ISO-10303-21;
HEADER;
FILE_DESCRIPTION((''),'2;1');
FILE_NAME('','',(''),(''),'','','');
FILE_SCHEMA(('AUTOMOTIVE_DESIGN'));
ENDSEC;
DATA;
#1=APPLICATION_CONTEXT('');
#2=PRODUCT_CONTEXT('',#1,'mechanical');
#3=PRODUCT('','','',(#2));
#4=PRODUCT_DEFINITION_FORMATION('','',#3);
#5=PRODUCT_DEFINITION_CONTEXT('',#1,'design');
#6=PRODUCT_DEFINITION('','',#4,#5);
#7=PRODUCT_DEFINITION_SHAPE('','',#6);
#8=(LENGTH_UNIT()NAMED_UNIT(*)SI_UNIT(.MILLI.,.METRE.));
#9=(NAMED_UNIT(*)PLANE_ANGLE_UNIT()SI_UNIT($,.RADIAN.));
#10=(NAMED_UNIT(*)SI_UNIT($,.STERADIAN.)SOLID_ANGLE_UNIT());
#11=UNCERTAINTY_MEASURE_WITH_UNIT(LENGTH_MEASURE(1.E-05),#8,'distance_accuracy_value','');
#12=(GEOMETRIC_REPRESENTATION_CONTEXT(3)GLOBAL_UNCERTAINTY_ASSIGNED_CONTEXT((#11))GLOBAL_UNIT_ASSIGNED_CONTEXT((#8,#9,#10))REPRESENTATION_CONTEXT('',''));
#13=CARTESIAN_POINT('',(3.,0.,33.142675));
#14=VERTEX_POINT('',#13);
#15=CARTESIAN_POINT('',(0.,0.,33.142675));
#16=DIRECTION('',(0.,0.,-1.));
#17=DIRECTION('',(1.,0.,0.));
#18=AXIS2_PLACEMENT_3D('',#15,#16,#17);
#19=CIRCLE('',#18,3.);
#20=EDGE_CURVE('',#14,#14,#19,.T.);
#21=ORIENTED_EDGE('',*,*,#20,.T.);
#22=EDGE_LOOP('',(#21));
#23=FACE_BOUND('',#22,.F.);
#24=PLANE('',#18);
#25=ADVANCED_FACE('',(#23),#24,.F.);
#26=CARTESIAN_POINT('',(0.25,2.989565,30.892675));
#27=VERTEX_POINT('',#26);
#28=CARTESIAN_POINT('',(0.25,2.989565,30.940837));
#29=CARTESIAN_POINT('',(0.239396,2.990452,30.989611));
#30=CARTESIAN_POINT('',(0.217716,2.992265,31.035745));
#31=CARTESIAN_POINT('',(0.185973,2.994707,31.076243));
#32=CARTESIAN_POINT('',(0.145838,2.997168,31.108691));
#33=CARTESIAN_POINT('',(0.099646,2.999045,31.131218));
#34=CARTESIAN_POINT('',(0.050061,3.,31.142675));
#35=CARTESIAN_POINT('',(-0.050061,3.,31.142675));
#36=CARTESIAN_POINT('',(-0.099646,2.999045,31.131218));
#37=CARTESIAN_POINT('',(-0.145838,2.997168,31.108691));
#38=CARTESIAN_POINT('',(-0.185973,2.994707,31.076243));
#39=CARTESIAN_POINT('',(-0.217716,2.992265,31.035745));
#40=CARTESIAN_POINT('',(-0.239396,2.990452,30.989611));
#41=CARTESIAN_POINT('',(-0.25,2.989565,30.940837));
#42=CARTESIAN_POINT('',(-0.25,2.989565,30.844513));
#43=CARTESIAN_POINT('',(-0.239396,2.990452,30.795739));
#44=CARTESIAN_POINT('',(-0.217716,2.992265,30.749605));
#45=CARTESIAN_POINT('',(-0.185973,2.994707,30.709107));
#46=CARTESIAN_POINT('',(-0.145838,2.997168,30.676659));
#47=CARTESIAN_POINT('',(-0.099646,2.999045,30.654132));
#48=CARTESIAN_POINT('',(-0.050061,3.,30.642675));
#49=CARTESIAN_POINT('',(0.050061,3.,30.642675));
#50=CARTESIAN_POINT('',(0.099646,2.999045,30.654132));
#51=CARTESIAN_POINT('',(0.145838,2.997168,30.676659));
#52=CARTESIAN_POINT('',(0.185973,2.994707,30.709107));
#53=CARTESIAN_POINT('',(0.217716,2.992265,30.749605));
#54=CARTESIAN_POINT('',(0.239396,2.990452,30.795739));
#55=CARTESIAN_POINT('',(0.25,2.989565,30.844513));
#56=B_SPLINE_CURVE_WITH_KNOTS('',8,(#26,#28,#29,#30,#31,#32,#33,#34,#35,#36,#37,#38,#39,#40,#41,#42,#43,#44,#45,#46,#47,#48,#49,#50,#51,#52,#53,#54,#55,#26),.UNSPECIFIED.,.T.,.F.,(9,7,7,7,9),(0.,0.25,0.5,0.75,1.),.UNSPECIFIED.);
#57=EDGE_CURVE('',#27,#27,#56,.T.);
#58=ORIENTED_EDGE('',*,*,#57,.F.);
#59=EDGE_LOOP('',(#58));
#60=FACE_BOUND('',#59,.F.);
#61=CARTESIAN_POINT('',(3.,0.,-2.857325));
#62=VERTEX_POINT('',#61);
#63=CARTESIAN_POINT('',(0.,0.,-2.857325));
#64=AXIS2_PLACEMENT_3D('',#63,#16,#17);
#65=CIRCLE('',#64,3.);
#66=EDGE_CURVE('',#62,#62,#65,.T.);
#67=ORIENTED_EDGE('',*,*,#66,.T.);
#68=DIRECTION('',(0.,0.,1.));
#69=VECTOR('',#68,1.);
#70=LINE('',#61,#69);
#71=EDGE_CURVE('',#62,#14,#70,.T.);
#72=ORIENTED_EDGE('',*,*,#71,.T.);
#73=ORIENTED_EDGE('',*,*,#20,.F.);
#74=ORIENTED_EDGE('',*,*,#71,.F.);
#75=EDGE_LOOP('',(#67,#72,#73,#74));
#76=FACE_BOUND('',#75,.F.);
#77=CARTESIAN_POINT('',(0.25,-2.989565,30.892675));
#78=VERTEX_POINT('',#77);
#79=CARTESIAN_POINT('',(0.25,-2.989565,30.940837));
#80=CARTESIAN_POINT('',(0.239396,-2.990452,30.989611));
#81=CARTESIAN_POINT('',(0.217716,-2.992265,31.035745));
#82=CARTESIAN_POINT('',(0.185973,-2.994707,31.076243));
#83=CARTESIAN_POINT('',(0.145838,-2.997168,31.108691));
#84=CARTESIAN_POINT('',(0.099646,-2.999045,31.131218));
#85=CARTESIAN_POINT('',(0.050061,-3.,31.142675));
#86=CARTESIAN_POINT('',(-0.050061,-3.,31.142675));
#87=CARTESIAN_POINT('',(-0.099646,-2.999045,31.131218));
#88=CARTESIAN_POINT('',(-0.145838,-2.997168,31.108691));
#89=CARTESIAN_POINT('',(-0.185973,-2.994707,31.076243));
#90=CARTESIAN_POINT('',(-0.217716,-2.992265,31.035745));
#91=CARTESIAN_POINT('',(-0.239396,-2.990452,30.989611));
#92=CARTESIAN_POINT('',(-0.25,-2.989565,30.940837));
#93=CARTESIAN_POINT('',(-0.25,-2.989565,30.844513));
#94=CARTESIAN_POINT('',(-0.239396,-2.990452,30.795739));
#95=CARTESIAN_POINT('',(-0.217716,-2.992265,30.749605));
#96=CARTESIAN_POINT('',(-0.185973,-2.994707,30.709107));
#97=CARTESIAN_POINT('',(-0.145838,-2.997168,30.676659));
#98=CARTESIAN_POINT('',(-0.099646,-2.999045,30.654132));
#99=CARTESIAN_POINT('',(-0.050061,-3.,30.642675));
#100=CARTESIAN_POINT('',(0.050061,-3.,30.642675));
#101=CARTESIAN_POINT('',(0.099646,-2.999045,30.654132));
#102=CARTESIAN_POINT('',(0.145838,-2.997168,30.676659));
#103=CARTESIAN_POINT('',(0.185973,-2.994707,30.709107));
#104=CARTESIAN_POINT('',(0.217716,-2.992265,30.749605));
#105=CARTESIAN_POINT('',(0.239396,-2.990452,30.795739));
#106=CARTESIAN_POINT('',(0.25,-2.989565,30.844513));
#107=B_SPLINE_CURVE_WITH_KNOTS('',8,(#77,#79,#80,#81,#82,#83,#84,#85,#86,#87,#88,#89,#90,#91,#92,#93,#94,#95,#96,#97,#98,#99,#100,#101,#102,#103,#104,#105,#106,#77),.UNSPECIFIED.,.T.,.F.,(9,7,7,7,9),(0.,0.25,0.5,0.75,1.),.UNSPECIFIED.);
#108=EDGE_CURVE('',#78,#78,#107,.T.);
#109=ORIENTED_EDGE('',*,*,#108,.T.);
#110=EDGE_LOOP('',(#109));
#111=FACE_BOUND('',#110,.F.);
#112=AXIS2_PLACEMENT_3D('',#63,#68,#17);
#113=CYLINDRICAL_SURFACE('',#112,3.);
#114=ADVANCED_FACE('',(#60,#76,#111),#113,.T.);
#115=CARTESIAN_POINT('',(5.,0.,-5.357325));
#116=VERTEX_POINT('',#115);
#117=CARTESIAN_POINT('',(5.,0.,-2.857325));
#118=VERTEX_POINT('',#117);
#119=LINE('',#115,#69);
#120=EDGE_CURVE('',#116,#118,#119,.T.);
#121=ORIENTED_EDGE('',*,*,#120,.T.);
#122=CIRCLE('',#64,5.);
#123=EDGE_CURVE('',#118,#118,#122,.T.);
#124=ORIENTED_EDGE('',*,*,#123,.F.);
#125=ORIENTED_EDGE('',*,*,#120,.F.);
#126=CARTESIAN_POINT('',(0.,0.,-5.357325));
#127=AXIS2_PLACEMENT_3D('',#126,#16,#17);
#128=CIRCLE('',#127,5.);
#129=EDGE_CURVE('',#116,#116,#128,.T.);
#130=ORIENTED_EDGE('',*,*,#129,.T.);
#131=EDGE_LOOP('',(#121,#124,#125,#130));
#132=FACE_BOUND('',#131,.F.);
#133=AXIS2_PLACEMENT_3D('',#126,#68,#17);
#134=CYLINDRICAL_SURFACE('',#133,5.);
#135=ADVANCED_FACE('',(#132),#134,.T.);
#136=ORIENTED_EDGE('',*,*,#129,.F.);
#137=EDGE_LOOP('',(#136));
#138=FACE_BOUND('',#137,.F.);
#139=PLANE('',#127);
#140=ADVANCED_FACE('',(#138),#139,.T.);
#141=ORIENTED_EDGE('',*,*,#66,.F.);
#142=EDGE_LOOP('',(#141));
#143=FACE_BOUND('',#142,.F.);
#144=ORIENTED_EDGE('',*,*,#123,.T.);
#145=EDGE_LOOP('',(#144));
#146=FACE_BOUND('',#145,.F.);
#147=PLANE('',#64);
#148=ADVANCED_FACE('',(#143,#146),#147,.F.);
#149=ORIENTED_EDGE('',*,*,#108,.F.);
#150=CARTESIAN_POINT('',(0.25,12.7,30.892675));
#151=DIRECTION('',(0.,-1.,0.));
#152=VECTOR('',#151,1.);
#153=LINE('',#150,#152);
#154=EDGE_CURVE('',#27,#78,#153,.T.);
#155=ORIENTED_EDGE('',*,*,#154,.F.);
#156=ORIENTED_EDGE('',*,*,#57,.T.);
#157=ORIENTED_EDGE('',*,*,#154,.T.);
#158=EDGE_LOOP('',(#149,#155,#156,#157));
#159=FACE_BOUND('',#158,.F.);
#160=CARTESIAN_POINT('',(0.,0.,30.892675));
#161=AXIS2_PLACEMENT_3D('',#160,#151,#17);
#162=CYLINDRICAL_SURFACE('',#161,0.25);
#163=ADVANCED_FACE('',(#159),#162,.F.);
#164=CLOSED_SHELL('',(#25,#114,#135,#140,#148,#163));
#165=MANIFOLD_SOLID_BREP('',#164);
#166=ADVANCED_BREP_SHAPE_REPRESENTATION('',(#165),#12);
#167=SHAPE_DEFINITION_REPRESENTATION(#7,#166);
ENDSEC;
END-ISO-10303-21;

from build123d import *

# Parameters (mm, degrees)
F2_R     = 0.25
F3_DEPTH = 12.7


with BuildPart() as f1:
    # F0 (on Front) → F1 (revolve)
    with BuildSketch(Plane.XZ):
        Polygon((0, 33.142675), (0, -5.357325), (5, -5.357325), (5, -2.857325), (3, -2.857325), (3, 33.142675), align=None)
    revolve(axis=Axis((0, 0, 13.892675), (0, 0, -1)))

    # F2 (on Front) → F3 (cut, symmetric)
    with BuildSketch(Plane.XZ):
        with Locations((0, 30.892675)):
            Circle(F2_R)
    extrude(amount=F3_DEPTH, both=True, mode=Mode.SUBTRACT)


solid = f1.part
